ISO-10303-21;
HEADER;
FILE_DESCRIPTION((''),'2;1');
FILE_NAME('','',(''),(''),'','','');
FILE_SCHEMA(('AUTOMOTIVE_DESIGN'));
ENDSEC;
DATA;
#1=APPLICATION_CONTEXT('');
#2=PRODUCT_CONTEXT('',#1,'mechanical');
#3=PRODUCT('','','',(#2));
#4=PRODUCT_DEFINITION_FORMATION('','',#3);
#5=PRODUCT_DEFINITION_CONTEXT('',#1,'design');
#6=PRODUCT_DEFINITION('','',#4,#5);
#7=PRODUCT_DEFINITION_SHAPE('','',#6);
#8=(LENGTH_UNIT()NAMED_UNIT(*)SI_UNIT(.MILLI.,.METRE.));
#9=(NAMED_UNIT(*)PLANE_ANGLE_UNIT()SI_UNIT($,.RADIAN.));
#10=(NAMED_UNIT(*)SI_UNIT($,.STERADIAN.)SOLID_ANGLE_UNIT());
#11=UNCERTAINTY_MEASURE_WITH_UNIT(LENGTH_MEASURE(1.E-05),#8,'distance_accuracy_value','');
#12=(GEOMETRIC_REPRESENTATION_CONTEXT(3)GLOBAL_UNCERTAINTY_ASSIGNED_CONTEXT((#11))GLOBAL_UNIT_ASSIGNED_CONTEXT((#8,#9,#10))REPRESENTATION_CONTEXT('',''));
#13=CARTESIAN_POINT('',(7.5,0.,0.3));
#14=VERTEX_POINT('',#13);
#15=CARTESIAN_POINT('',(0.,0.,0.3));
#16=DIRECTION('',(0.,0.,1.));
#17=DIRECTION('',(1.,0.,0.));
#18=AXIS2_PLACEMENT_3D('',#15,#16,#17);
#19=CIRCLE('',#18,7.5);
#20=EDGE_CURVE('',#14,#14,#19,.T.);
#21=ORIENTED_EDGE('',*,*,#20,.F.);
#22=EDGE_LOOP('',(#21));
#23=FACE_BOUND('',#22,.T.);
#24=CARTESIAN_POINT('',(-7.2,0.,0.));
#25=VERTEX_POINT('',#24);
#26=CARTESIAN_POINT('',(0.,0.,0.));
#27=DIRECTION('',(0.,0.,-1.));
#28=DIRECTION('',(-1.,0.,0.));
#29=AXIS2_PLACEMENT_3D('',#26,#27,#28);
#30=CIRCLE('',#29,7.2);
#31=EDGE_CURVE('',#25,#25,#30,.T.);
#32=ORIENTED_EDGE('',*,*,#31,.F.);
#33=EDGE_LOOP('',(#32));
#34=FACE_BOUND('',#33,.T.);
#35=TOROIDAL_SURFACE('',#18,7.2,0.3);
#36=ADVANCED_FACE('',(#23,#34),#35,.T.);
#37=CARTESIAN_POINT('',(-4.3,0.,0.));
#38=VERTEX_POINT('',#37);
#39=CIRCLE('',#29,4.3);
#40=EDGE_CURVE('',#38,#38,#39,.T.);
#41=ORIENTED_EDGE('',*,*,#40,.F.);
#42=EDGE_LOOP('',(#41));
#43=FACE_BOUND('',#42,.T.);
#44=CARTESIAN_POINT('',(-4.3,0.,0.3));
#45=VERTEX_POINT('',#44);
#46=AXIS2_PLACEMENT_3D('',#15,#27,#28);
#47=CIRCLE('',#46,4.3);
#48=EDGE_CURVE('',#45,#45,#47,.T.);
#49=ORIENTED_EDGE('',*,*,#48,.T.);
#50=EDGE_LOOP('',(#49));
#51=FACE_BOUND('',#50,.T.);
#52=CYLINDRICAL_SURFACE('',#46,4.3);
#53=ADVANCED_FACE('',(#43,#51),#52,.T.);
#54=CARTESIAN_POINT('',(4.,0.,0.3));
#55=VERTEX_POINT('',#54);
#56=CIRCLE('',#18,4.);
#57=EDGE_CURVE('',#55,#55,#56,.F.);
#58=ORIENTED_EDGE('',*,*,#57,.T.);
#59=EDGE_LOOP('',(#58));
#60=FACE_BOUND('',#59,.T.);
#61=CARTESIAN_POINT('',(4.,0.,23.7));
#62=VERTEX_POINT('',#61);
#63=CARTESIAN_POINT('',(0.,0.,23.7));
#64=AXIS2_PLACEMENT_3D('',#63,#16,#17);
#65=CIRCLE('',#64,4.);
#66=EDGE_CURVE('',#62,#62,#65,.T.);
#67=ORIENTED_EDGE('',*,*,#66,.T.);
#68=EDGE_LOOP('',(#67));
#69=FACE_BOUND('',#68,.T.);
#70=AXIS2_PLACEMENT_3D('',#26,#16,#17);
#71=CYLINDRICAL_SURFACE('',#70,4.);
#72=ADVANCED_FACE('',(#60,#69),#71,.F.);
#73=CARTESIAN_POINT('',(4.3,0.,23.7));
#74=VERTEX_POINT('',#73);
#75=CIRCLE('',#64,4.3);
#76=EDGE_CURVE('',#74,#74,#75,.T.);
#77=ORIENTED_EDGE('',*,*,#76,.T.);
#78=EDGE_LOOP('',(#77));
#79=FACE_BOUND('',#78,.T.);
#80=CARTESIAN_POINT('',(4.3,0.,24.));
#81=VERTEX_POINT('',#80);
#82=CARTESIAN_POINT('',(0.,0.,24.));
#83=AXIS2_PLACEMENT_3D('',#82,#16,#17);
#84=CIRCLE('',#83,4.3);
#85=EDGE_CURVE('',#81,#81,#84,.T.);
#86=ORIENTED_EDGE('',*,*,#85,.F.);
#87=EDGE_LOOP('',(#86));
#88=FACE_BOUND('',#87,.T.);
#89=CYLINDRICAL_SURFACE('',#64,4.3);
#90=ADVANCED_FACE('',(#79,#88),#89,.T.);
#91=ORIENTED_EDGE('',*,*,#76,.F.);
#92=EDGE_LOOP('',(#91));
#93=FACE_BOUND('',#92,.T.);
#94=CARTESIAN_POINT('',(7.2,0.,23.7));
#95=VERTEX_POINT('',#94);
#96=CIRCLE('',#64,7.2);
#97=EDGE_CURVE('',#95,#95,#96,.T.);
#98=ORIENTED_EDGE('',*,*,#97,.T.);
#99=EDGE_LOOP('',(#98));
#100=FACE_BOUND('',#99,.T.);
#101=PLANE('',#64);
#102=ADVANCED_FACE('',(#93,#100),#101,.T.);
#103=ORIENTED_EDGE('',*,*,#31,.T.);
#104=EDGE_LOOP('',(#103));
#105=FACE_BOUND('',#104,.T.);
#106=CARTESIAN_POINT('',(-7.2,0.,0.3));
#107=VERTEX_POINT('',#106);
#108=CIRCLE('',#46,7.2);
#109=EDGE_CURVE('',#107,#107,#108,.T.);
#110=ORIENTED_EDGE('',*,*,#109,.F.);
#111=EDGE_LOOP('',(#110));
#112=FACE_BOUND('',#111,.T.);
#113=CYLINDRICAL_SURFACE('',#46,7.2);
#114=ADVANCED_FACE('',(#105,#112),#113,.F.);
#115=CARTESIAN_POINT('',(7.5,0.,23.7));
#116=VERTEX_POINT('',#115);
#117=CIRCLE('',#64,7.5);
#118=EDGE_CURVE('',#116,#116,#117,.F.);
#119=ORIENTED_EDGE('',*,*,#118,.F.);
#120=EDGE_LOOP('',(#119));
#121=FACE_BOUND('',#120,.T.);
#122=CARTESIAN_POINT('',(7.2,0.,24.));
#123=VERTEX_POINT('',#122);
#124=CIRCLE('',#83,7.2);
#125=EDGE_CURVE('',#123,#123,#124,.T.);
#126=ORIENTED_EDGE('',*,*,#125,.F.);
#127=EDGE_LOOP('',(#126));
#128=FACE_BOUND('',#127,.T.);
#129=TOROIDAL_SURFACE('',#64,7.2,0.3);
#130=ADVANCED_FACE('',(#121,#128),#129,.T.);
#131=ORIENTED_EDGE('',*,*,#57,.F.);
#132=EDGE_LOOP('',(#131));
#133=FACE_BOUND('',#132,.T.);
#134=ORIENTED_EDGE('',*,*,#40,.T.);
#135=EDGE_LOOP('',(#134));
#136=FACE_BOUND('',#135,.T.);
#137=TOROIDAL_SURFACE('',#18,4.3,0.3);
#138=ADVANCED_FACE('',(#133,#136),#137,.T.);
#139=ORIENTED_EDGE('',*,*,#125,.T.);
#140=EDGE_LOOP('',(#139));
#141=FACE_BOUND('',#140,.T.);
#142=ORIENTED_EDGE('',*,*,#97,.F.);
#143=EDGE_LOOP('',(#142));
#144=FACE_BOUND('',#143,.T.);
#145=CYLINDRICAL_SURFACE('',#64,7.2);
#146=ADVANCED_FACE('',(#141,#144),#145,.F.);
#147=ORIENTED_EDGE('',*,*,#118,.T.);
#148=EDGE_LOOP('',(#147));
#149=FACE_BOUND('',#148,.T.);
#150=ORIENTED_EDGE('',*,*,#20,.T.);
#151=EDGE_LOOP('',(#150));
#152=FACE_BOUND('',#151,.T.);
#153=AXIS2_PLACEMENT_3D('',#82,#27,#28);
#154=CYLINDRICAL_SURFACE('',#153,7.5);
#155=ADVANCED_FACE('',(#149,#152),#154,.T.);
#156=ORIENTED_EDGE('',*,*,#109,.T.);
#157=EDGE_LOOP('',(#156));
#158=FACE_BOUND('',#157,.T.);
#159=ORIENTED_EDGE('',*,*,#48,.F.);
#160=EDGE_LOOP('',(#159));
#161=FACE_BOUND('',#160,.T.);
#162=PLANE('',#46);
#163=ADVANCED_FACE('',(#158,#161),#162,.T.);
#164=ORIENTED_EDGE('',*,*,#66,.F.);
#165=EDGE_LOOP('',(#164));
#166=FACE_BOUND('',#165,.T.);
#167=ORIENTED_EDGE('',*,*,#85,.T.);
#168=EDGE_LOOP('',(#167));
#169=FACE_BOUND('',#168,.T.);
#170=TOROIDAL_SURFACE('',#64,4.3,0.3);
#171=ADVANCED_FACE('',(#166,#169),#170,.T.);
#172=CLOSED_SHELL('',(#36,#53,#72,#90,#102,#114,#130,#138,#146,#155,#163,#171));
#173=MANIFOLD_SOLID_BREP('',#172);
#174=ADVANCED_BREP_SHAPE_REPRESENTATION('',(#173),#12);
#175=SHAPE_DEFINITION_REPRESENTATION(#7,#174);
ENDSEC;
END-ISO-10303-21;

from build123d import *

# Parameters (mm, degrees)
SKETCH1_R           = 7.5
BOSS_EXTRUDE1_DEPTH = 24
SKETCH2_R           = 4
CUT_EXTRUDE1_DEPTH  = 24
FILLET2_R           = 0.3
FILLET3_R           = 0.3
SKETCH3_R           = 7.2
SKETCH3_R_2         = 4.3
CUT_EXTRUDE2_DEPTH  = 0.3
CUT_EXTRUDE4_START  = -0.3
SKETCH4_R           = 7.2
SKETCH4_R_2         = 4.3
CUT_EXTRUDE4_DEPTH  = 0.3


with BuildPart() as part:
    # Sketch1 → Boss-Extrude1 (new body)
    with BuildSketch(Plane.XY):
        Circle(SKETCH1_R)
    extrude(amount=BOSS_EXTRUDE1_DEPTH)

    # Sketch2 → Cut-Extrude1 (cut)
    with BuildSketch(Plane.XY.offset(24)):
        Circle(SKETCH2_R)
    extrude(amount=-CUT_EXTRUDE1_DEPTH, mode=Mode.SUBTRACT)

    # Fillet2
    fillet2_edges = [part.edges().sort_by_distance(p)[0] for p in [
        (-4, 0, 0),
        (-4, 0, 24),
    ]]
    fillet(fillet2_edges, radius=FILLET2_R)

    # Fillet3
    fillet3_edges = [part.edges().sort_by_distance(p)[0] for p in [
        (-7.5, 0, 0),
        (-7.5, 0, 24),
    ]]
    fillet(fillet3_edges, radius=FILLET3_R)

    # Sketch3 → Cut-Extrude2 (cut)
    with BuildSketch(Plane(origin=(0, 0, 0), x_dir=(-1, 0, 0), z_dir=(0, 0, -1))):
        Circle(SKETCH3_R)
        Circle(SKETCH3_R_2, mode=Mode.SUBTRACT)
    extrude(amount=-CUT_EXTRUDE2_DEPTH, mode=Mode.SUBTRACT)

    # Sketch4 → Cut-Extrude4 (cut)
    with BuildSketch(Plane.XY.offset(24).offset(CUT_EXTRUDE4_START)):
        with Locations(Location((0, 0, 0), (0, 0, 180))):
            Circle(SKETCH4_R)
        with Locations(Location((0, 0, 0), (0, 0, 180))):
            Circle(SKETCH4_R_2, mode=Mode.SUBTRACT)
    extrude(amount=CUT_EXTRUDE4_DEPTH, mode=Mode.SUBTRACT)


solid = part.part
